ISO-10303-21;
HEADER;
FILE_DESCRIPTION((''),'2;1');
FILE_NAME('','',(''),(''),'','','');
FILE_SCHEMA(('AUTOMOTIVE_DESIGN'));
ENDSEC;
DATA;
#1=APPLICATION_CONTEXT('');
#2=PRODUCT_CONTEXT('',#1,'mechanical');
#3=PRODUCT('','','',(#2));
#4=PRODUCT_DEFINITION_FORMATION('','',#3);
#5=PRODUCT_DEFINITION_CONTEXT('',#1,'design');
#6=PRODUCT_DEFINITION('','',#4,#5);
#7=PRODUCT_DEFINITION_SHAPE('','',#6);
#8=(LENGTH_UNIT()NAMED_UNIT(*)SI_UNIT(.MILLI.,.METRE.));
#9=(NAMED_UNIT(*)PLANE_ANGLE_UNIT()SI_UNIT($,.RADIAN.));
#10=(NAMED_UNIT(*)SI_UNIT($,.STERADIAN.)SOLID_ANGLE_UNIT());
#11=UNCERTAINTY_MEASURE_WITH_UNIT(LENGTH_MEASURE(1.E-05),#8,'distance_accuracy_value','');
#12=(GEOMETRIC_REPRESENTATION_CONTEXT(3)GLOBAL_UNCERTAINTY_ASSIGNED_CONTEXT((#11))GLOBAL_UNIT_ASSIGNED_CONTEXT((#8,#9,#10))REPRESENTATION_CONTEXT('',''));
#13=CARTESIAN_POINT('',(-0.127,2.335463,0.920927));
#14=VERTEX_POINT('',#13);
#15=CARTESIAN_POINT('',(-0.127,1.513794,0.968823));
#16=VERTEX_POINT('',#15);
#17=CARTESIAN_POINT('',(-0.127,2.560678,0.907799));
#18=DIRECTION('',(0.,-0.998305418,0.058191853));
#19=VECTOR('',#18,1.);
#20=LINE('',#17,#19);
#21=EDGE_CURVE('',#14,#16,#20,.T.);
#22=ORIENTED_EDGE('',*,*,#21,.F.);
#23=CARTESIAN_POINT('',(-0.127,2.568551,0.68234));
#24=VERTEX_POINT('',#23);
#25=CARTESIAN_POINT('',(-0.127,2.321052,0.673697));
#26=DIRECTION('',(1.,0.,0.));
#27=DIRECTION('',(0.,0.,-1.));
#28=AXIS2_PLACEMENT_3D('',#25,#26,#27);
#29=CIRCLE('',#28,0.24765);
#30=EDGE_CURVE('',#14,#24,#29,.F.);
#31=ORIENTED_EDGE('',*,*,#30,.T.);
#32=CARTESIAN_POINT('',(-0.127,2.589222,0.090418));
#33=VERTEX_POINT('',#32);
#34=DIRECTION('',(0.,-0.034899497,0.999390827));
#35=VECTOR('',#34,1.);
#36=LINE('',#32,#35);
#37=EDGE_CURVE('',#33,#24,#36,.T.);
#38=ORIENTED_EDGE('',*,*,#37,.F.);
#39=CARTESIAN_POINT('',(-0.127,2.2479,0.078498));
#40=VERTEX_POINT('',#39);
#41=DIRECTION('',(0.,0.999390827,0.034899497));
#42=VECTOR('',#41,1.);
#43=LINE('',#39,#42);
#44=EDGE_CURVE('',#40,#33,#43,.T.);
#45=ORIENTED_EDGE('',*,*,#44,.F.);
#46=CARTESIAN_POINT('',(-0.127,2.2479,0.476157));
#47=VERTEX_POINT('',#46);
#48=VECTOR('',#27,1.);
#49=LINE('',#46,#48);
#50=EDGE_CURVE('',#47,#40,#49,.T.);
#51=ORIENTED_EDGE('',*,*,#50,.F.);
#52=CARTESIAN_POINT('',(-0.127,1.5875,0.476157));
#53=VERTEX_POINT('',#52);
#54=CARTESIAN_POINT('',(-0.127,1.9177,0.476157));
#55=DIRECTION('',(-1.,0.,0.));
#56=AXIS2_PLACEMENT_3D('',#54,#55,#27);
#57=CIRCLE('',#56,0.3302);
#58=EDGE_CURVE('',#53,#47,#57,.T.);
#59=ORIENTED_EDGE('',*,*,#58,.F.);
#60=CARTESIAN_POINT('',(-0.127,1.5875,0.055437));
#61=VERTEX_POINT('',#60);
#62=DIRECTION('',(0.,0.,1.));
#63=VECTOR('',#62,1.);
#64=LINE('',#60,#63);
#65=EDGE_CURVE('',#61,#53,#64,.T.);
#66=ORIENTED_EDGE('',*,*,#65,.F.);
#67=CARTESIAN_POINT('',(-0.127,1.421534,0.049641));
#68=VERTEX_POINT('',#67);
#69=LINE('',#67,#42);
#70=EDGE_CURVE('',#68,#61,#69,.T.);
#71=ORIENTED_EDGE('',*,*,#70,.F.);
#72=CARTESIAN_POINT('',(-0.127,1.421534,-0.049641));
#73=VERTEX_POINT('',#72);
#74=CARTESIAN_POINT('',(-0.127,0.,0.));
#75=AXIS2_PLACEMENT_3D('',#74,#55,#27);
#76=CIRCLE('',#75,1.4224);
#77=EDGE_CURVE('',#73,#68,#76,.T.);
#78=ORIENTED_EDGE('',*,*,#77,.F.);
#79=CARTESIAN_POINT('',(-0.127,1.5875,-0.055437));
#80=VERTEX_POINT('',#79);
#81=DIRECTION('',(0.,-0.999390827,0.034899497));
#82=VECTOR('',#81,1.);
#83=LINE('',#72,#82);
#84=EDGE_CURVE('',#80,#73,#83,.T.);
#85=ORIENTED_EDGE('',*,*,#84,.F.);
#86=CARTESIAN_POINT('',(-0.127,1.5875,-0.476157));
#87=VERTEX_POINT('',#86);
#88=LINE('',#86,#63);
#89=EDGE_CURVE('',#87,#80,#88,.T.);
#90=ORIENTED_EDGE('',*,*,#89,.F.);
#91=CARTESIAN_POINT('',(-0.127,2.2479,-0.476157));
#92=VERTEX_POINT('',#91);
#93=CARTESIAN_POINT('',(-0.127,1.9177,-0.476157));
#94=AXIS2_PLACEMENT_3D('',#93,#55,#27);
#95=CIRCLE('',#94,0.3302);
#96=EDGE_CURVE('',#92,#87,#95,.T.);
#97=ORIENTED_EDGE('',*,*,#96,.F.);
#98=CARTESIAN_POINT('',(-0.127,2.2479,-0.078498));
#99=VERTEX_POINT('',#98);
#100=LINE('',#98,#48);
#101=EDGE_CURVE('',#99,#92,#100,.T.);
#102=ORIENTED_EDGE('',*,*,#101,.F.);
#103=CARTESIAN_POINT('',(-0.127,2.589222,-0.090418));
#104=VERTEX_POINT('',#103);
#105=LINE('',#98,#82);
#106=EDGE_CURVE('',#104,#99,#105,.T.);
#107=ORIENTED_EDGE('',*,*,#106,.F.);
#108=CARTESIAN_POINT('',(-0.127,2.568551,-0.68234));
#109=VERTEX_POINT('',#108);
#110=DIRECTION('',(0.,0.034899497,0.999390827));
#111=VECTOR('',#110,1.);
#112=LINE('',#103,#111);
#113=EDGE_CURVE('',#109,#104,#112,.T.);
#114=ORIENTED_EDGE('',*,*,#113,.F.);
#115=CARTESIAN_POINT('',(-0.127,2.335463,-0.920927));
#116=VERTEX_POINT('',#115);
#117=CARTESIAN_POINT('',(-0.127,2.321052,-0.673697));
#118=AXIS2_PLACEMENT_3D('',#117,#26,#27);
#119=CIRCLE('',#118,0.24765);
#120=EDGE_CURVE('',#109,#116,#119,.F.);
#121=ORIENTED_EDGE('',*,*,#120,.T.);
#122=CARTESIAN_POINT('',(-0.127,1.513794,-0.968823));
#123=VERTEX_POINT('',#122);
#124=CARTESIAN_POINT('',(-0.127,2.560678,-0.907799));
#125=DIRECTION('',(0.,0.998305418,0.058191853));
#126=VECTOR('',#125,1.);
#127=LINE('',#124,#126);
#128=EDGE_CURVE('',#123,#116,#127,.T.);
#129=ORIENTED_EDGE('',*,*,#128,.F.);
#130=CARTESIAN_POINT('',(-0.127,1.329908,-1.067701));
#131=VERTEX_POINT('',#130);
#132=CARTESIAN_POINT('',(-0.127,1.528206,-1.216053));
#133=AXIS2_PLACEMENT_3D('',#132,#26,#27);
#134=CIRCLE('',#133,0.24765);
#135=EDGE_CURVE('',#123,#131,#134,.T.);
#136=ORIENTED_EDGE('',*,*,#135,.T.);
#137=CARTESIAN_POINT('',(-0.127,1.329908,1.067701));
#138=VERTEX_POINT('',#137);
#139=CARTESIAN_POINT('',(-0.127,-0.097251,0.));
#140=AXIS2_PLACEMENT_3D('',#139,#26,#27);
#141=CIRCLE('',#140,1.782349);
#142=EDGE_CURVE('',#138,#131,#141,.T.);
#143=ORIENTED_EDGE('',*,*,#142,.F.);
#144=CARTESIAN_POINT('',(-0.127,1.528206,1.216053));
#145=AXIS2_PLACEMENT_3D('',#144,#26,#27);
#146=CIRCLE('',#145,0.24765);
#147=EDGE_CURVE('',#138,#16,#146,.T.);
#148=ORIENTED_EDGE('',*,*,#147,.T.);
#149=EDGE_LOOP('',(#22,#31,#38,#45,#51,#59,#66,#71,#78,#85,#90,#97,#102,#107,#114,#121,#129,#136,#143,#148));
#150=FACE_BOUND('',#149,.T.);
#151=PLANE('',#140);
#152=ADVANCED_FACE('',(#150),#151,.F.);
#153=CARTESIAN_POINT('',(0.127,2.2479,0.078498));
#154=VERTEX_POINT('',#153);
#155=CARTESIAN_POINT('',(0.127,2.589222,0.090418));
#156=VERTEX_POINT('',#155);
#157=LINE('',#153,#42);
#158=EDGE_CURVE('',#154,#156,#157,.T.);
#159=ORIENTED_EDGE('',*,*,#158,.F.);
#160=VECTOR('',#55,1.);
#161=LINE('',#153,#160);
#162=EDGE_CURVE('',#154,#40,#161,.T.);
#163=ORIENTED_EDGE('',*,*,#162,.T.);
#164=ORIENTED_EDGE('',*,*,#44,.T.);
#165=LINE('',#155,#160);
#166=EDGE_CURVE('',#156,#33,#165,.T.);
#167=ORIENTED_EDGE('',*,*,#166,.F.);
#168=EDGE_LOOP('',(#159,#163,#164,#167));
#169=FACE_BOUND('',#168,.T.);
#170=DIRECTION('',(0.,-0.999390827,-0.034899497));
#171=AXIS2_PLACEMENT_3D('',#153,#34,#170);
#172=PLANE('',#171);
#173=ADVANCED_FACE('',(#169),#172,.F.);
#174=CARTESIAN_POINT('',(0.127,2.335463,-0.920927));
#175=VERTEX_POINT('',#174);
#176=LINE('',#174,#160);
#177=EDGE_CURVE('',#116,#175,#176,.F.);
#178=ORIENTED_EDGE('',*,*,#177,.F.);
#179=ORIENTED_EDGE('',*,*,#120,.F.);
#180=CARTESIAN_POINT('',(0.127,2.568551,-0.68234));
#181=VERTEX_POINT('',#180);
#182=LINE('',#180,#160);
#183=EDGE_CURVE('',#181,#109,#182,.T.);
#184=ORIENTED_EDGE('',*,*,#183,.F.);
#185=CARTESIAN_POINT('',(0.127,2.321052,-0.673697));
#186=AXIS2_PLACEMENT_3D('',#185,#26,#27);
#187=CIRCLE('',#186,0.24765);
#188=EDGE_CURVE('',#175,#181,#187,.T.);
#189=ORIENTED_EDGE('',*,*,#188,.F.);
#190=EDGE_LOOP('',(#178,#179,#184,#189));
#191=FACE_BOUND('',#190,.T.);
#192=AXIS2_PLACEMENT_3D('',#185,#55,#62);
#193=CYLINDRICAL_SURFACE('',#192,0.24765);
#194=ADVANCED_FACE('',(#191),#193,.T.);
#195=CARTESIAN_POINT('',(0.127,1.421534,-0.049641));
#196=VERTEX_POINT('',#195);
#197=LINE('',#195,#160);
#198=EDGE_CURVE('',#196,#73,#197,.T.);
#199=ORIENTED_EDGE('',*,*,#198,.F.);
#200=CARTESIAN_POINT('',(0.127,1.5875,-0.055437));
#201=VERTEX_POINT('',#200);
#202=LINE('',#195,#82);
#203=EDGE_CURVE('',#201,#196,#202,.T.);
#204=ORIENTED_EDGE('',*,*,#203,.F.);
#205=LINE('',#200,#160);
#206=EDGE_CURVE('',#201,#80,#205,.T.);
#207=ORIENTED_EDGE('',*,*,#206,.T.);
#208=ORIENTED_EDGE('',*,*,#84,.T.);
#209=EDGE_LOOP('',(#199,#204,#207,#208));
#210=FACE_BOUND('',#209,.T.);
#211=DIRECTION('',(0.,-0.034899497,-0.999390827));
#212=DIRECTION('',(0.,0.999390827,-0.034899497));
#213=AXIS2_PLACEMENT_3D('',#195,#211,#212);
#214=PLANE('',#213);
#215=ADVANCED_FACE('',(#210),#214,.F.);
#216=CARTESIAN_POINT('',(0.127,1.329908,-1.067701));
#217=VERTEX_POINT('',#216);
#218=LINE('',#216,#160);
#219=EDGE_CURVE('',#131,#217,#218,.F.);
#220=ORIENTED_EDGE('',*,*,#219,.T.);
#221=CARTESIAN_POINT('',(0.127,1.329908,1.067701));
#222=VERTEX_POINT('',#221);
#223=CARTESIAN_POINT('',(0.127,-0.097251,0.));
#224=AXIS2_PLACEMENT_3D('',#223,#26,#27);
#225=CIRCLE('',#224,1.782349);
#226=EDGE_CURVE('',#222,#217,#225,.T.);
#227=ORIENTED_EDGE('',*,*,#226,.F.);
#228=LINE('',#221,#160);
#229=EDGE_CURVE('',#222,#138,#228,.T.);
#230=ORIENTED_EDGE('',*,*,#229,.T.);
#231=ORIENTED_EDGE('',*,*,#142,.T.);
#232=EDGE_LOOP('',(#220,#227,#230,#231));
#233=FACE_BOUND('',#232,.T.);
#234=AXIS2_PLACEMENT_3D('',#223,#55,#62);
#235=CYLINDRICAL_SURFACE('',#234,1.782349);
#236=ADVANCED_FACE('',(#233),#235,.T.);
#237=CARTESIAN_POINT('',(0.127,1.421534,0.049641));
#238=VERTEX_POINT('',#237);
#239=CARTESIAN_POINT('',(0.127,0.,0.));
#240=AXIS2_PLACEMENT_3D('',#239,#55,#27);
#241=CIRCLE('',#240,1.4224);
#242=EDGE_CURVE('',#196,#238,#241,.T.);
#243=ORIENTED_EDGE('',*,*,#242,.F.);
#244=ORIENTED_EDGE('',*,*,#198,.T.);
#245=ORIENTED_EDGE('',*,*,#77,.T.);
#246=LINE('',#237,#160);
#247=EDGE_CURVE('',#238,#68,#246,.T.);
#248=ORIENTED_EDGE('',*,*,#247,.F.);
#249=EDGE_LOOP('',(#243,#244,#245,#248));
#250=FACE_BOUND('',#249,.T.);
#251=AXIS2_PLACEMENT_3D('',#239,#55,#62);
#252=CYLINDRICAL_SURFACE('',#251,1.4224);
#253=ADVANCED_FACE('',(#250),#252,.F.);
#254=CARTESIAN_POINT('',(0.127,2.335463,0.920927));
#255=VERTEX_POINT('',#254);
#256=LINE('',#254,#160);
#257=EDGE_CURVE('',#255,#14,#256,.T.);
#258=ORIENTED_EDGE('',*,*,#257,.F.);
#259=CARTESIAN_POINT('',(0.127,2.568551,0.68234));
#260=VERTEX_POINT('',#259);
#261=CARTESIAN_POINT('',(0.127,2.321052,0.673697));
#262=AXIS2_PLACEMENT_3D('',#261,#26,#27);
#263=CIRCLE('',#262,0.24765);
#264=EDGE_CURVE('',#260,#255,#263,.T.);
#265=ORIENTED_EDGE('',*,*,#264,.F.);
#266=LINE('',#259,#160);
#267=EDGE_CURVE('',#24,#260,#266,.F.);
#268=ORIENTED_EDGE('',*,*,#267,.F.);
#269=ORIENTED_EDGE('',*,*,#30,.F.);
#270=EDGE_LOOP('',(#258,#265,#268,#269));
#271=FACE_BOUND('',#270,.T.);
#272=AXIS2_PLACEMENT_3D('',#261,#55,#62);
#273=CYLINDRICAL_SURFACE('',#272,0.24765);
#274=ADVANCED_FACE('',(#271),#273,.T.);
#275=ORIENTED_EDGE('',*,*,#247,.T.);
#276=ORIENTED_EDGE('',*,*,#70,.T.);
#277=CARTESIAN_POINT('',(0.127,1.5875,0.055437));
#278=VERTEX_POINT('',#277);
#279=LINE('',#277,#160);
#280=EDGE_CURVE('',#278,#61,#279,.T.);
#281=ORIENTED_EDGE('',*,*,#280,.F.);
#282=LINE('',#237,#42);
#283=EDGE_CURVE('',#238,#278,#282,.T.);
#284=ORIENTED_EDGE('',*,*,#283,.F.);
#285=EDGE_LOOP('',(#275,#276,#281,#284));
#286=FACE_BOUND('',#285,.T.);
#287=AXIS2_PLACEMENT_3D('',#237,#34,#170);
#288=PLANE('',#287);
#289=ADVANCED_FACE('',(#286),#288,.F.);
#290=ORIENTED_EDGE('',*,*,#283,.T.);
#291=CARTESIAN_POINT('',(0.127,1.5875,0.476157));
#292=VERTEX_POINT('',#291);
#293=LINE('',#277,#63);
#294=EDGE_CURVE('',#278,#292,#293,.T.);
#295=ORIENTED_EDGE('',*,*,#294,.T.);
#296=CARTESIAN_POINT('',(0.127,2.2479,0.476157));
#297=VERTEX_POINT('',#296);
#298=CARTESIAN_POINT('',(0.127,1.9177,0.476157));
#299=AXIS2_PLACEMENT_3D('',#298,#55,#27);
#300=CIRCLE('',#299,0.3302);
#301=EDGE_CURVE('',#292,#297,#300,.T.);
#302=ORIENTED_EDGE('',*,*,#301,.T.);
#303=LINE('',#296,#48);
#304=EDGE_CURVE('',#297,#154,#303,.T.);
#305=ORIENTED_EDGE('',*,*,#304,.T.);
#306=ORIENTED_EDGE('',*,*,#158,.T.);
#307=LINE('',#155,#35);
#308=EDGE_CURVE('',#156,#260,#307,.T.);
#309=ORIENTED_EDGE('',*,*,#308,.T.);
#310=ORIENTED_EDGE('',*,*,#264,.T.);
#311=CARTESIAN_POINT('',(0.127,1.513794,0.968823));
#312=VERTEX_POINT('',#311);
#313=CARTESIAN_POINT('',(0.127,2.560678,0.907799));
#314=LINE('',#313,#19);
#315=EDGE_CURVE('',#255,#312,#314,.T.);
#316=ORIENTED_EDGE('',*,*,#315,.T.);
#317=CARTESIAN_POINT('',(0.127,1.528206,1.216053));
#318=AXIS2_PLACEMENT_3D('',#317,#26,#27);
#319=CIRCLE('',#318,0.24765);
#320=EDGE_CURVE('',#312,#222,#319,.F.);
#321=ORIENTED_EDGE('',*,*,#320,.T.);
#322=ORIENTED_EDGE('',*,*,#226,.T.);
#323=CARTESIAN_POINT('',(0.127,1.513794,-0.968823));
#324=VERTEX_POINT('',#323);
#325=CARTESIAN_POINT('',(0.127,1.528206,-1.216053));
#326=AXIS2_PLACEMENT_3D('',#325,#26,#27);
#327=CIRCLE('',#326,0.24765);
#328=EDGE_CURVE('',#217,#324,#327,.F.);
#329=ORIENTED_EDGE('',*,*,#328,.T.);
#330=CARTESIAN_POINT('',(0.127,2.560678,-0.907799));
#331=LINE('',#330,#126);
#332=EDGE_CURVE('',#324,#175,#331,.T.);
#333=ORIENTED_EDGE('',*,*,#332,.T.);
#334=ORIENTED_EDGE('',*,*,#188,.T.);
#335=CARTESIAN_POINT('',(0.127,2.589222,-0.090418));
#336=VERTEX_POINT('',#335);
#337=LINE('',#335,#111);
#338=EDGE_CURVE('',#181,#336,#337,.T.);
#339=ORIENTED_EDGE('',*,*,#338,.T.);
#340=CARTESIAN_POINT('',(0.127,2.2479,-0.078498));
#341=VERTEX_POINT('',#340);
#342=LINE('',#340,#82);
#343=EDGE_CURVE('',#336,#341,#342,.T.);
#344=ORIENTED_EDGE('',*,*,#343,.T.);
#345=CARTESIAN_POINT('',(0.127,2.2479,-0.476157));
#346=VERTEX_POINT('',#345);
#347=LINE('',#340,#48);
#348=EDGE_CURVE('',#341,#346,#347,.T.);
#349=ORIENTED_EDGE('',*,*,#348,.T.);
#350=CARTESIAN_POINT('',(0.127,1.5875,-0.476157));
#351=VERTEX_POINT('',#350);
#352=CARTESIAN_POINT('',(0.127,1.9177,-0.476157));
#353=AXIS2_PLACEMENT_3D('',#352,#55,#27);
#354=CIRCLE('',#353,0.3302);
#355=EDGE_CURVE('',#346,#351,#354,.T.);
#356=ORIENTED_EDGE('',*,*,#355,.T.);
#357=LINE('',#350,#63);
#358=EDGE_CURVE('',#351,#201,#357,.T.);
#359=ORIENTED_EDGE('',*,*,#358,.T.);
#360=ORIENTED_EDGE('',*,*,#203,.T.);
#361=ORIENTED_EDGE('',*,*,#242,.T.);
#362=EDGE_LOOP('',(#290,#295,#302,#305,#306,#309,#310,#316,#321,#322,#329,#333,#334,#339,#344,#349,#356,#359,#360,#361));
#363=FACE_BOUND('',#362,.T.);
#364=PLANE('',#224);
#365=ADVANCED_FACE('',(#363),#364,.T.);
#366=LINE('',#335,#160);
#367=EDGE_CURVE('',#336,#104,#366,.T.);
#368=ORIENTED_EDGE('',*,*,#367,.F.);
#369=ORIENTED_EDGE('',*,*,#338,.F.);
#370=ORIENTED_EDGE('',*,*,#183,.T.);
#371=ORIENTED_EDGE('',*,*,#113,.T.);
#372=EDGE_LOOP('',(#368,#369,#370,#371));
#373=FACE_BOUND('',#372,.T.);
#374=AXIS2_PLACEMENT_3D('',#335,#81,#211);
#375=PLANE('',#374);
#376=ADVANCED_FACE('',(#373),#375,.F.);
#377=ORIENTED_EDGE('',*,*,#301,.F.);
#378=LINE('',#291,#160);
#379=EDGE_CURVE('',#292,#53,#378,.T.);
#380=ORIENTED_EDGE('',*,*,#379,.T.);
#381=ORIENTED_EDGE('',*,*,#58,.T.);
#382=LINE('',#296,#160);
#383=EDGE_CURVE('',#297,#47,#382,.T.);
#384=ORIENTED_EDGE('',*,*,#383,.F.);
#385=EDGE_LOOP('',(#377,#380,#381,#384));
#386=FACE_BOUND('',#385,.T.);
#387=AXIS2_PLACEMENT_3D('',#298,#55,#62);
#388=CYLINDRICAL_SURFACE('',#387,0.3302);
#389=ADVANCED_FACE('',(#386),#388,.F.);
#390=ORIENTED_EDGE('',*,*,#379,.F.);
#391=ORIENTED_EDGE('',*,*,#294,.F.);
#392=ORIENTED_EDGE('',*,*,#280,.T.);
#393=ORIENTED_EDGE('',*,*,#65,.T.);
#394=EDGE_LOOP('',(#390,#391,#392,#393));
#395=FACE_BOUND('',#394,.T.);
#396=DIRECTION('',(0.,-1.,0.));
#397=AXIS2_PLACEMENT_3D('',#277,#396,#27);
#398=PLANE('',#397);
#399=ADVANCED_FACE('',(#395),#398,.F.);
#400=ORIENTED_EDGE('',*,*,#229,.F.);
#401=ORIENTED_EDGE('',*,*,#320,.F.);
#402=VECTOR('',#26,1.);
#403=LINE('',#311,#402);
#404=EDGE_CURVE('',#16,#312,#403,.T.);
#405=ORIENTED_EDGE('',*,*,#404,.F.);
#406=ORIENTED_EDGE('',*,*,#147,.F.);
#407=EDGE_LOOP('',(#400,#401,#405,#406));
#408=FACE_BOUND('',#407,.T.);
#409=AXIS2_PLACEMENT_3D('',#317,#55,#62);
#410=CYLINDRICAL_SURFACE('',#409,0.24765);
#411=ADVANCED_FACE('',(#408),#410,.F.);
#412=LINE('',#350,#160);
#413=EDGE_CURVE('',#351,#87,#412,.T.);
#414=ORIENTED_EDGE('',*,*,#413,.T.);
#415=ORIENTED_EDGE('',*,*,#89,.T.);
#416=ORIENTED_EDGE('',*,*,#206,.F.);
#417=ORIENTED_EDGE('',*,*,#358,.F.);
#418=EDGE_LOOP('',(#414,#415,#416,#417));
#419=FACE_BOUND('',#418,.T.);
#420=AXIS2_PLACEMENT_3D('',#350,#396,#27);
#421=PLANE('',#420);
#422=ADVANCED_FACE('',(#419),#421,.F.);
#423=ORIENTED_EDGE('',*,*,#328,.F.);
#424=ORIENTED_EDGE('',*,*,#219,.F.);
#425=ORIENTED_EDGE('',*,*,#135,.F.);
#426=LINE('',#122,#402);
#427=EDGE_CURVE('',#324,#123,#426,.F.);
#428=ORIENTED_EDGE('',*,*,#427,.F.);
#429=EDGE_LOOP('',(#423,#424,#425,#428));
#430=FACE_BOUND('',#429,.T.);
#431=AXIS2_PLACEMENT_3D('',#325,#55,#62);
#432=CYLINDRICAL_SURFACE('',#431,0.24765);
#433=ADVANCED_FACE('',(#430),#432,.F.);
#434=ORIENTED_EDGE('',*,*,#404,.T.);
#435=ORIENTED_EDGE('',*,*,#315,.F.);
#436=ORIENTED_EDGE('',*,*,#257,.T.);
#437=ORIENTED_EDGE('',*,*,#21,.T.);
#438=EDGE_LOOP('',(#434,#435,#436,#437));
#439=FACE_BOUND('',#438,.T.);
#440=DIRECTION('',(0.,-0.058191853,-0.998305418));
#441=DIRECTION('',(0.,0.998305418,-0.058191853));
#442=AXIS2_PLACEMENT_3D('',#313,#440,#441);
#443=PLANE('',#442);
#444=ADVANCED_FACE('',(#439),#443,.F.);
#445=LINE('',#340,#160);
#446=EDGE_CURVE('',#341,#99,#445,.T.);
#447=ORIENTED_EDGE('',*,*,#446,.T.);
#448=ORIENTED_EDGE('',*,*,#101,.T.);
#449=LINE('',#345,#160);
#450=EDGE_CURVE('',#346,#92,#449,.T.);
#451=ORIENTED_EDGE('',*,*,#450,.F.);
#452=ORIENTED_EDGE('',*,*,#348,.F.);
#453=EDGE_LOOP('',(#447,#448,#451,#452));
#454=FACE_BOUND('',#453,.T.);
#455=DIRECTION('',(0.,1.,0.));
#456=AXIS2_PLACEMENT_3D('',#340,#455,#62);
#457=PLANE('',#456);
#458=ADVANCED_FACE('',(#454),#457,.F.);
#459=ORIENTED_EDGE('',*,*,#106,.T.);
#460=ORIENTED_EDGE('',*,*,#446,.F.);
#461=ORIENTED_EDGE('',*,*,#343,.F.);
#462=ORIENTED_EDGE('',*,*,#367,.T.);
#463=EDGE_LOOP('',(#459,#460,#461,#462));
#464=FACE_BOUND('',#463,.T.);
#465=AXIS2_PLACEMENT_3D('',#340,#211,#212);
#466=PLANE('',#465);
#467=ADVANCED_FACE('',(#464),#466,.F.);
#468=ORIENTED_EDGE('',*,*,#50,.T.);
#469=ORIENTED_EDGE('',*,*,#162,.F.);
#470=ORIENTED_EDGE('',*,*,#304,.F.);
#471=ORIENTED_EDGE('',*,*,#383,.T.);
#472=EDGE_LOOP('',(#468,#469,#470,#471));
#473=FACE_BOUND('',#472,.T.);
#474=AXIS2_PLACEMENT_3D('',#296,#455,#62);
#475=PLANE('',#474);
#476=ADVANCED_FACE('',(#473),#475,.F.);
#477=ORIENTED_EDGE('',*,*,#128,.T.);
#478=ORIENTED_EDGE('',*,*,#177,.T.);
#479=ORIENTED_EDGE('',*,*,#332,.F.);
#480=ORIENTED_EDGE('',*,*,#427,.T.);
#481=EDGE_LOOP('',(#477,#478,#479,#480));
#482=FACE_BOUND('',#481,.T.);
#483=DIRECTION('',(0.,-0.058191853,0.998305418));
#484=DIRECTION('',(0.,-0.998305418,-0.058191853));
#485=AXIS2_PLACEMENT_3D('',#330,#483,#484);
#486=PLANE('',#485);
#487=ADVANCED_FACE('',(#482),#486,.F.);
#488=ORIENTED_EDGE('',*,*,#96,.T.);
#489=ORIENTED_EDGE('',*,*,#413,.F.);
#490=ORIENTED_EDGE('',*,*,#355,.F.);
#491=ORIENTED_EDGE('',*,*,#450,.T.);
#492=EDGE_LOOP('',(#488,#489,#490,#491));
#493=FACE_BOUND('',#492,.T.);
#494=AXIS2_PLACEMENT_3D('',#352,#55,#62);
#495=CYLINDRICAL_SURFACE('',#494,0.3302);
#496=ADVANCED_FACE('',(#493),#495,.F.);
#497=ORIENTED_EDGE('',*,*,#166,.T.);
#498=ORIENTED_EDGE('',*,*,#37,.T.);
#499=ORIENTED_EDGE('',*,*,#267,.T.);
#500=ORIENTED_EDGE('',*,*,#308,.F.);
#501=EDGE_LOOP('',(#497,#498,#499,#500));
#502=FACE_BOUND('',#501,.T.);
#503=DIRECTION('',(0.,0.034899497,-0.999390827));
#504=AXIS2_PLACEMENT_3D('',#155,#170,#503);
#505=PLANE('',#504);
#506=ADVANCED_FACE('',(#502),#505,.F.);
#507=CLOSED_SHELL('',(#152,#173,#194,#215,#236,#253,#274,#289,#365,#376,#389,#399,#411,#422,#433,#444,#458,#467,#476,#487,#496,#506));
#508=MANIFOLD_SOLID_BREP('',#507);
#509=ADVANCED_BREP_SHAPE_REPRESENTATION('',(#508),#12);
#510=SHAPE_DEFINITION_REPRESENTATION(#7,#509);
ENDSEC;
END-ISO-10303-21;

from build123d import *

# Parameters (mm, degrees)
BOSS_EXTRUDE1_DEPTH      = 0.127
BOSS_EXTRUDE1_DEPTH_BACK = 0.127
FILLET1_R                = 0.24765


with BuildPart() as part:
    # Sketch3 → Boss-Extrude1 (new body, two sides)
    with BuildSketch(Plane(origin=(0, 0, 0), x_dir=(0, 0, -1), z_dir=(1, 0, 0))) as boss_extrude1_sk:
        with BuildLine():
            Line((-0.907799386, 2.560678154), (-0.975790746, 1.394258103))
            ThreePointArc((-0.975790746, 1.394258103), (0, -1.8796), (0.975790746, 1.394258103))
            Line((0.975790746, 1.394258103), (0.907799386, 2.560678154))
            Line((0.907799386, 2.560678154), (0.090417616, 2.589221755))
            Line((0.090417616, 2.589221755), (0.078498398, 2.2479))
            Line((0.078498398, 2.2479), (0.476156827, 2.2479))
            ThreePointArc((0.476156827, 2.2479), (0.806356827, 1.9177), (0.476156827, 1.5875))
            Line((0.476156827, 1.5875), (0.055436722, 1.5875))
            Line((0.055436722, 1.5875), (0.049641044, 1.421533512))
            ThreePointArc((0.049641044, 1.421533512), (0, -1.4224), (-0.049641044, 1.421533512))
            Line((-0.049641044, 1.421533512), (-0.055436722, 1.5875))
            Line((-0.055436722, 1.5875), (-0.476156827, 1.5875))
            ThreePointArc((-0.476156827, 1.5875), (-0.806356827, 1.9177), (-0.476156827, 2.2479))
            Line((-0.476156827, 2.2479), (-0.078498398, 2.2479))
            Line((-0.078498398, 2.2479), (-0.090417616, 2.589221755))
            Line((-0.090417616, 2.589221755), (-0.907799386, 2.560678154))
        make_face()
    extrude(amount=BOSS_EXTRUDE1_DEPTH)
    extrude(boss_extrude1_sk.sketch, amount=-BOSS_EXTRUDE1_DEPTH_BACK)

    # Fillet1
    fillet1_edges = [part.edges().sort_by_distance(p)[0] for p in [
        (0, 1.394258103, 0.975790746),
        (0, 2.560678154, 0.907799386),
        (0, 2.560678154, -0.907799386),
        (0, 1.394258103, -0.975790746),
    ]]
    fillet(fillet1_edges, radius=FILLET1_R)


solid = part.part
